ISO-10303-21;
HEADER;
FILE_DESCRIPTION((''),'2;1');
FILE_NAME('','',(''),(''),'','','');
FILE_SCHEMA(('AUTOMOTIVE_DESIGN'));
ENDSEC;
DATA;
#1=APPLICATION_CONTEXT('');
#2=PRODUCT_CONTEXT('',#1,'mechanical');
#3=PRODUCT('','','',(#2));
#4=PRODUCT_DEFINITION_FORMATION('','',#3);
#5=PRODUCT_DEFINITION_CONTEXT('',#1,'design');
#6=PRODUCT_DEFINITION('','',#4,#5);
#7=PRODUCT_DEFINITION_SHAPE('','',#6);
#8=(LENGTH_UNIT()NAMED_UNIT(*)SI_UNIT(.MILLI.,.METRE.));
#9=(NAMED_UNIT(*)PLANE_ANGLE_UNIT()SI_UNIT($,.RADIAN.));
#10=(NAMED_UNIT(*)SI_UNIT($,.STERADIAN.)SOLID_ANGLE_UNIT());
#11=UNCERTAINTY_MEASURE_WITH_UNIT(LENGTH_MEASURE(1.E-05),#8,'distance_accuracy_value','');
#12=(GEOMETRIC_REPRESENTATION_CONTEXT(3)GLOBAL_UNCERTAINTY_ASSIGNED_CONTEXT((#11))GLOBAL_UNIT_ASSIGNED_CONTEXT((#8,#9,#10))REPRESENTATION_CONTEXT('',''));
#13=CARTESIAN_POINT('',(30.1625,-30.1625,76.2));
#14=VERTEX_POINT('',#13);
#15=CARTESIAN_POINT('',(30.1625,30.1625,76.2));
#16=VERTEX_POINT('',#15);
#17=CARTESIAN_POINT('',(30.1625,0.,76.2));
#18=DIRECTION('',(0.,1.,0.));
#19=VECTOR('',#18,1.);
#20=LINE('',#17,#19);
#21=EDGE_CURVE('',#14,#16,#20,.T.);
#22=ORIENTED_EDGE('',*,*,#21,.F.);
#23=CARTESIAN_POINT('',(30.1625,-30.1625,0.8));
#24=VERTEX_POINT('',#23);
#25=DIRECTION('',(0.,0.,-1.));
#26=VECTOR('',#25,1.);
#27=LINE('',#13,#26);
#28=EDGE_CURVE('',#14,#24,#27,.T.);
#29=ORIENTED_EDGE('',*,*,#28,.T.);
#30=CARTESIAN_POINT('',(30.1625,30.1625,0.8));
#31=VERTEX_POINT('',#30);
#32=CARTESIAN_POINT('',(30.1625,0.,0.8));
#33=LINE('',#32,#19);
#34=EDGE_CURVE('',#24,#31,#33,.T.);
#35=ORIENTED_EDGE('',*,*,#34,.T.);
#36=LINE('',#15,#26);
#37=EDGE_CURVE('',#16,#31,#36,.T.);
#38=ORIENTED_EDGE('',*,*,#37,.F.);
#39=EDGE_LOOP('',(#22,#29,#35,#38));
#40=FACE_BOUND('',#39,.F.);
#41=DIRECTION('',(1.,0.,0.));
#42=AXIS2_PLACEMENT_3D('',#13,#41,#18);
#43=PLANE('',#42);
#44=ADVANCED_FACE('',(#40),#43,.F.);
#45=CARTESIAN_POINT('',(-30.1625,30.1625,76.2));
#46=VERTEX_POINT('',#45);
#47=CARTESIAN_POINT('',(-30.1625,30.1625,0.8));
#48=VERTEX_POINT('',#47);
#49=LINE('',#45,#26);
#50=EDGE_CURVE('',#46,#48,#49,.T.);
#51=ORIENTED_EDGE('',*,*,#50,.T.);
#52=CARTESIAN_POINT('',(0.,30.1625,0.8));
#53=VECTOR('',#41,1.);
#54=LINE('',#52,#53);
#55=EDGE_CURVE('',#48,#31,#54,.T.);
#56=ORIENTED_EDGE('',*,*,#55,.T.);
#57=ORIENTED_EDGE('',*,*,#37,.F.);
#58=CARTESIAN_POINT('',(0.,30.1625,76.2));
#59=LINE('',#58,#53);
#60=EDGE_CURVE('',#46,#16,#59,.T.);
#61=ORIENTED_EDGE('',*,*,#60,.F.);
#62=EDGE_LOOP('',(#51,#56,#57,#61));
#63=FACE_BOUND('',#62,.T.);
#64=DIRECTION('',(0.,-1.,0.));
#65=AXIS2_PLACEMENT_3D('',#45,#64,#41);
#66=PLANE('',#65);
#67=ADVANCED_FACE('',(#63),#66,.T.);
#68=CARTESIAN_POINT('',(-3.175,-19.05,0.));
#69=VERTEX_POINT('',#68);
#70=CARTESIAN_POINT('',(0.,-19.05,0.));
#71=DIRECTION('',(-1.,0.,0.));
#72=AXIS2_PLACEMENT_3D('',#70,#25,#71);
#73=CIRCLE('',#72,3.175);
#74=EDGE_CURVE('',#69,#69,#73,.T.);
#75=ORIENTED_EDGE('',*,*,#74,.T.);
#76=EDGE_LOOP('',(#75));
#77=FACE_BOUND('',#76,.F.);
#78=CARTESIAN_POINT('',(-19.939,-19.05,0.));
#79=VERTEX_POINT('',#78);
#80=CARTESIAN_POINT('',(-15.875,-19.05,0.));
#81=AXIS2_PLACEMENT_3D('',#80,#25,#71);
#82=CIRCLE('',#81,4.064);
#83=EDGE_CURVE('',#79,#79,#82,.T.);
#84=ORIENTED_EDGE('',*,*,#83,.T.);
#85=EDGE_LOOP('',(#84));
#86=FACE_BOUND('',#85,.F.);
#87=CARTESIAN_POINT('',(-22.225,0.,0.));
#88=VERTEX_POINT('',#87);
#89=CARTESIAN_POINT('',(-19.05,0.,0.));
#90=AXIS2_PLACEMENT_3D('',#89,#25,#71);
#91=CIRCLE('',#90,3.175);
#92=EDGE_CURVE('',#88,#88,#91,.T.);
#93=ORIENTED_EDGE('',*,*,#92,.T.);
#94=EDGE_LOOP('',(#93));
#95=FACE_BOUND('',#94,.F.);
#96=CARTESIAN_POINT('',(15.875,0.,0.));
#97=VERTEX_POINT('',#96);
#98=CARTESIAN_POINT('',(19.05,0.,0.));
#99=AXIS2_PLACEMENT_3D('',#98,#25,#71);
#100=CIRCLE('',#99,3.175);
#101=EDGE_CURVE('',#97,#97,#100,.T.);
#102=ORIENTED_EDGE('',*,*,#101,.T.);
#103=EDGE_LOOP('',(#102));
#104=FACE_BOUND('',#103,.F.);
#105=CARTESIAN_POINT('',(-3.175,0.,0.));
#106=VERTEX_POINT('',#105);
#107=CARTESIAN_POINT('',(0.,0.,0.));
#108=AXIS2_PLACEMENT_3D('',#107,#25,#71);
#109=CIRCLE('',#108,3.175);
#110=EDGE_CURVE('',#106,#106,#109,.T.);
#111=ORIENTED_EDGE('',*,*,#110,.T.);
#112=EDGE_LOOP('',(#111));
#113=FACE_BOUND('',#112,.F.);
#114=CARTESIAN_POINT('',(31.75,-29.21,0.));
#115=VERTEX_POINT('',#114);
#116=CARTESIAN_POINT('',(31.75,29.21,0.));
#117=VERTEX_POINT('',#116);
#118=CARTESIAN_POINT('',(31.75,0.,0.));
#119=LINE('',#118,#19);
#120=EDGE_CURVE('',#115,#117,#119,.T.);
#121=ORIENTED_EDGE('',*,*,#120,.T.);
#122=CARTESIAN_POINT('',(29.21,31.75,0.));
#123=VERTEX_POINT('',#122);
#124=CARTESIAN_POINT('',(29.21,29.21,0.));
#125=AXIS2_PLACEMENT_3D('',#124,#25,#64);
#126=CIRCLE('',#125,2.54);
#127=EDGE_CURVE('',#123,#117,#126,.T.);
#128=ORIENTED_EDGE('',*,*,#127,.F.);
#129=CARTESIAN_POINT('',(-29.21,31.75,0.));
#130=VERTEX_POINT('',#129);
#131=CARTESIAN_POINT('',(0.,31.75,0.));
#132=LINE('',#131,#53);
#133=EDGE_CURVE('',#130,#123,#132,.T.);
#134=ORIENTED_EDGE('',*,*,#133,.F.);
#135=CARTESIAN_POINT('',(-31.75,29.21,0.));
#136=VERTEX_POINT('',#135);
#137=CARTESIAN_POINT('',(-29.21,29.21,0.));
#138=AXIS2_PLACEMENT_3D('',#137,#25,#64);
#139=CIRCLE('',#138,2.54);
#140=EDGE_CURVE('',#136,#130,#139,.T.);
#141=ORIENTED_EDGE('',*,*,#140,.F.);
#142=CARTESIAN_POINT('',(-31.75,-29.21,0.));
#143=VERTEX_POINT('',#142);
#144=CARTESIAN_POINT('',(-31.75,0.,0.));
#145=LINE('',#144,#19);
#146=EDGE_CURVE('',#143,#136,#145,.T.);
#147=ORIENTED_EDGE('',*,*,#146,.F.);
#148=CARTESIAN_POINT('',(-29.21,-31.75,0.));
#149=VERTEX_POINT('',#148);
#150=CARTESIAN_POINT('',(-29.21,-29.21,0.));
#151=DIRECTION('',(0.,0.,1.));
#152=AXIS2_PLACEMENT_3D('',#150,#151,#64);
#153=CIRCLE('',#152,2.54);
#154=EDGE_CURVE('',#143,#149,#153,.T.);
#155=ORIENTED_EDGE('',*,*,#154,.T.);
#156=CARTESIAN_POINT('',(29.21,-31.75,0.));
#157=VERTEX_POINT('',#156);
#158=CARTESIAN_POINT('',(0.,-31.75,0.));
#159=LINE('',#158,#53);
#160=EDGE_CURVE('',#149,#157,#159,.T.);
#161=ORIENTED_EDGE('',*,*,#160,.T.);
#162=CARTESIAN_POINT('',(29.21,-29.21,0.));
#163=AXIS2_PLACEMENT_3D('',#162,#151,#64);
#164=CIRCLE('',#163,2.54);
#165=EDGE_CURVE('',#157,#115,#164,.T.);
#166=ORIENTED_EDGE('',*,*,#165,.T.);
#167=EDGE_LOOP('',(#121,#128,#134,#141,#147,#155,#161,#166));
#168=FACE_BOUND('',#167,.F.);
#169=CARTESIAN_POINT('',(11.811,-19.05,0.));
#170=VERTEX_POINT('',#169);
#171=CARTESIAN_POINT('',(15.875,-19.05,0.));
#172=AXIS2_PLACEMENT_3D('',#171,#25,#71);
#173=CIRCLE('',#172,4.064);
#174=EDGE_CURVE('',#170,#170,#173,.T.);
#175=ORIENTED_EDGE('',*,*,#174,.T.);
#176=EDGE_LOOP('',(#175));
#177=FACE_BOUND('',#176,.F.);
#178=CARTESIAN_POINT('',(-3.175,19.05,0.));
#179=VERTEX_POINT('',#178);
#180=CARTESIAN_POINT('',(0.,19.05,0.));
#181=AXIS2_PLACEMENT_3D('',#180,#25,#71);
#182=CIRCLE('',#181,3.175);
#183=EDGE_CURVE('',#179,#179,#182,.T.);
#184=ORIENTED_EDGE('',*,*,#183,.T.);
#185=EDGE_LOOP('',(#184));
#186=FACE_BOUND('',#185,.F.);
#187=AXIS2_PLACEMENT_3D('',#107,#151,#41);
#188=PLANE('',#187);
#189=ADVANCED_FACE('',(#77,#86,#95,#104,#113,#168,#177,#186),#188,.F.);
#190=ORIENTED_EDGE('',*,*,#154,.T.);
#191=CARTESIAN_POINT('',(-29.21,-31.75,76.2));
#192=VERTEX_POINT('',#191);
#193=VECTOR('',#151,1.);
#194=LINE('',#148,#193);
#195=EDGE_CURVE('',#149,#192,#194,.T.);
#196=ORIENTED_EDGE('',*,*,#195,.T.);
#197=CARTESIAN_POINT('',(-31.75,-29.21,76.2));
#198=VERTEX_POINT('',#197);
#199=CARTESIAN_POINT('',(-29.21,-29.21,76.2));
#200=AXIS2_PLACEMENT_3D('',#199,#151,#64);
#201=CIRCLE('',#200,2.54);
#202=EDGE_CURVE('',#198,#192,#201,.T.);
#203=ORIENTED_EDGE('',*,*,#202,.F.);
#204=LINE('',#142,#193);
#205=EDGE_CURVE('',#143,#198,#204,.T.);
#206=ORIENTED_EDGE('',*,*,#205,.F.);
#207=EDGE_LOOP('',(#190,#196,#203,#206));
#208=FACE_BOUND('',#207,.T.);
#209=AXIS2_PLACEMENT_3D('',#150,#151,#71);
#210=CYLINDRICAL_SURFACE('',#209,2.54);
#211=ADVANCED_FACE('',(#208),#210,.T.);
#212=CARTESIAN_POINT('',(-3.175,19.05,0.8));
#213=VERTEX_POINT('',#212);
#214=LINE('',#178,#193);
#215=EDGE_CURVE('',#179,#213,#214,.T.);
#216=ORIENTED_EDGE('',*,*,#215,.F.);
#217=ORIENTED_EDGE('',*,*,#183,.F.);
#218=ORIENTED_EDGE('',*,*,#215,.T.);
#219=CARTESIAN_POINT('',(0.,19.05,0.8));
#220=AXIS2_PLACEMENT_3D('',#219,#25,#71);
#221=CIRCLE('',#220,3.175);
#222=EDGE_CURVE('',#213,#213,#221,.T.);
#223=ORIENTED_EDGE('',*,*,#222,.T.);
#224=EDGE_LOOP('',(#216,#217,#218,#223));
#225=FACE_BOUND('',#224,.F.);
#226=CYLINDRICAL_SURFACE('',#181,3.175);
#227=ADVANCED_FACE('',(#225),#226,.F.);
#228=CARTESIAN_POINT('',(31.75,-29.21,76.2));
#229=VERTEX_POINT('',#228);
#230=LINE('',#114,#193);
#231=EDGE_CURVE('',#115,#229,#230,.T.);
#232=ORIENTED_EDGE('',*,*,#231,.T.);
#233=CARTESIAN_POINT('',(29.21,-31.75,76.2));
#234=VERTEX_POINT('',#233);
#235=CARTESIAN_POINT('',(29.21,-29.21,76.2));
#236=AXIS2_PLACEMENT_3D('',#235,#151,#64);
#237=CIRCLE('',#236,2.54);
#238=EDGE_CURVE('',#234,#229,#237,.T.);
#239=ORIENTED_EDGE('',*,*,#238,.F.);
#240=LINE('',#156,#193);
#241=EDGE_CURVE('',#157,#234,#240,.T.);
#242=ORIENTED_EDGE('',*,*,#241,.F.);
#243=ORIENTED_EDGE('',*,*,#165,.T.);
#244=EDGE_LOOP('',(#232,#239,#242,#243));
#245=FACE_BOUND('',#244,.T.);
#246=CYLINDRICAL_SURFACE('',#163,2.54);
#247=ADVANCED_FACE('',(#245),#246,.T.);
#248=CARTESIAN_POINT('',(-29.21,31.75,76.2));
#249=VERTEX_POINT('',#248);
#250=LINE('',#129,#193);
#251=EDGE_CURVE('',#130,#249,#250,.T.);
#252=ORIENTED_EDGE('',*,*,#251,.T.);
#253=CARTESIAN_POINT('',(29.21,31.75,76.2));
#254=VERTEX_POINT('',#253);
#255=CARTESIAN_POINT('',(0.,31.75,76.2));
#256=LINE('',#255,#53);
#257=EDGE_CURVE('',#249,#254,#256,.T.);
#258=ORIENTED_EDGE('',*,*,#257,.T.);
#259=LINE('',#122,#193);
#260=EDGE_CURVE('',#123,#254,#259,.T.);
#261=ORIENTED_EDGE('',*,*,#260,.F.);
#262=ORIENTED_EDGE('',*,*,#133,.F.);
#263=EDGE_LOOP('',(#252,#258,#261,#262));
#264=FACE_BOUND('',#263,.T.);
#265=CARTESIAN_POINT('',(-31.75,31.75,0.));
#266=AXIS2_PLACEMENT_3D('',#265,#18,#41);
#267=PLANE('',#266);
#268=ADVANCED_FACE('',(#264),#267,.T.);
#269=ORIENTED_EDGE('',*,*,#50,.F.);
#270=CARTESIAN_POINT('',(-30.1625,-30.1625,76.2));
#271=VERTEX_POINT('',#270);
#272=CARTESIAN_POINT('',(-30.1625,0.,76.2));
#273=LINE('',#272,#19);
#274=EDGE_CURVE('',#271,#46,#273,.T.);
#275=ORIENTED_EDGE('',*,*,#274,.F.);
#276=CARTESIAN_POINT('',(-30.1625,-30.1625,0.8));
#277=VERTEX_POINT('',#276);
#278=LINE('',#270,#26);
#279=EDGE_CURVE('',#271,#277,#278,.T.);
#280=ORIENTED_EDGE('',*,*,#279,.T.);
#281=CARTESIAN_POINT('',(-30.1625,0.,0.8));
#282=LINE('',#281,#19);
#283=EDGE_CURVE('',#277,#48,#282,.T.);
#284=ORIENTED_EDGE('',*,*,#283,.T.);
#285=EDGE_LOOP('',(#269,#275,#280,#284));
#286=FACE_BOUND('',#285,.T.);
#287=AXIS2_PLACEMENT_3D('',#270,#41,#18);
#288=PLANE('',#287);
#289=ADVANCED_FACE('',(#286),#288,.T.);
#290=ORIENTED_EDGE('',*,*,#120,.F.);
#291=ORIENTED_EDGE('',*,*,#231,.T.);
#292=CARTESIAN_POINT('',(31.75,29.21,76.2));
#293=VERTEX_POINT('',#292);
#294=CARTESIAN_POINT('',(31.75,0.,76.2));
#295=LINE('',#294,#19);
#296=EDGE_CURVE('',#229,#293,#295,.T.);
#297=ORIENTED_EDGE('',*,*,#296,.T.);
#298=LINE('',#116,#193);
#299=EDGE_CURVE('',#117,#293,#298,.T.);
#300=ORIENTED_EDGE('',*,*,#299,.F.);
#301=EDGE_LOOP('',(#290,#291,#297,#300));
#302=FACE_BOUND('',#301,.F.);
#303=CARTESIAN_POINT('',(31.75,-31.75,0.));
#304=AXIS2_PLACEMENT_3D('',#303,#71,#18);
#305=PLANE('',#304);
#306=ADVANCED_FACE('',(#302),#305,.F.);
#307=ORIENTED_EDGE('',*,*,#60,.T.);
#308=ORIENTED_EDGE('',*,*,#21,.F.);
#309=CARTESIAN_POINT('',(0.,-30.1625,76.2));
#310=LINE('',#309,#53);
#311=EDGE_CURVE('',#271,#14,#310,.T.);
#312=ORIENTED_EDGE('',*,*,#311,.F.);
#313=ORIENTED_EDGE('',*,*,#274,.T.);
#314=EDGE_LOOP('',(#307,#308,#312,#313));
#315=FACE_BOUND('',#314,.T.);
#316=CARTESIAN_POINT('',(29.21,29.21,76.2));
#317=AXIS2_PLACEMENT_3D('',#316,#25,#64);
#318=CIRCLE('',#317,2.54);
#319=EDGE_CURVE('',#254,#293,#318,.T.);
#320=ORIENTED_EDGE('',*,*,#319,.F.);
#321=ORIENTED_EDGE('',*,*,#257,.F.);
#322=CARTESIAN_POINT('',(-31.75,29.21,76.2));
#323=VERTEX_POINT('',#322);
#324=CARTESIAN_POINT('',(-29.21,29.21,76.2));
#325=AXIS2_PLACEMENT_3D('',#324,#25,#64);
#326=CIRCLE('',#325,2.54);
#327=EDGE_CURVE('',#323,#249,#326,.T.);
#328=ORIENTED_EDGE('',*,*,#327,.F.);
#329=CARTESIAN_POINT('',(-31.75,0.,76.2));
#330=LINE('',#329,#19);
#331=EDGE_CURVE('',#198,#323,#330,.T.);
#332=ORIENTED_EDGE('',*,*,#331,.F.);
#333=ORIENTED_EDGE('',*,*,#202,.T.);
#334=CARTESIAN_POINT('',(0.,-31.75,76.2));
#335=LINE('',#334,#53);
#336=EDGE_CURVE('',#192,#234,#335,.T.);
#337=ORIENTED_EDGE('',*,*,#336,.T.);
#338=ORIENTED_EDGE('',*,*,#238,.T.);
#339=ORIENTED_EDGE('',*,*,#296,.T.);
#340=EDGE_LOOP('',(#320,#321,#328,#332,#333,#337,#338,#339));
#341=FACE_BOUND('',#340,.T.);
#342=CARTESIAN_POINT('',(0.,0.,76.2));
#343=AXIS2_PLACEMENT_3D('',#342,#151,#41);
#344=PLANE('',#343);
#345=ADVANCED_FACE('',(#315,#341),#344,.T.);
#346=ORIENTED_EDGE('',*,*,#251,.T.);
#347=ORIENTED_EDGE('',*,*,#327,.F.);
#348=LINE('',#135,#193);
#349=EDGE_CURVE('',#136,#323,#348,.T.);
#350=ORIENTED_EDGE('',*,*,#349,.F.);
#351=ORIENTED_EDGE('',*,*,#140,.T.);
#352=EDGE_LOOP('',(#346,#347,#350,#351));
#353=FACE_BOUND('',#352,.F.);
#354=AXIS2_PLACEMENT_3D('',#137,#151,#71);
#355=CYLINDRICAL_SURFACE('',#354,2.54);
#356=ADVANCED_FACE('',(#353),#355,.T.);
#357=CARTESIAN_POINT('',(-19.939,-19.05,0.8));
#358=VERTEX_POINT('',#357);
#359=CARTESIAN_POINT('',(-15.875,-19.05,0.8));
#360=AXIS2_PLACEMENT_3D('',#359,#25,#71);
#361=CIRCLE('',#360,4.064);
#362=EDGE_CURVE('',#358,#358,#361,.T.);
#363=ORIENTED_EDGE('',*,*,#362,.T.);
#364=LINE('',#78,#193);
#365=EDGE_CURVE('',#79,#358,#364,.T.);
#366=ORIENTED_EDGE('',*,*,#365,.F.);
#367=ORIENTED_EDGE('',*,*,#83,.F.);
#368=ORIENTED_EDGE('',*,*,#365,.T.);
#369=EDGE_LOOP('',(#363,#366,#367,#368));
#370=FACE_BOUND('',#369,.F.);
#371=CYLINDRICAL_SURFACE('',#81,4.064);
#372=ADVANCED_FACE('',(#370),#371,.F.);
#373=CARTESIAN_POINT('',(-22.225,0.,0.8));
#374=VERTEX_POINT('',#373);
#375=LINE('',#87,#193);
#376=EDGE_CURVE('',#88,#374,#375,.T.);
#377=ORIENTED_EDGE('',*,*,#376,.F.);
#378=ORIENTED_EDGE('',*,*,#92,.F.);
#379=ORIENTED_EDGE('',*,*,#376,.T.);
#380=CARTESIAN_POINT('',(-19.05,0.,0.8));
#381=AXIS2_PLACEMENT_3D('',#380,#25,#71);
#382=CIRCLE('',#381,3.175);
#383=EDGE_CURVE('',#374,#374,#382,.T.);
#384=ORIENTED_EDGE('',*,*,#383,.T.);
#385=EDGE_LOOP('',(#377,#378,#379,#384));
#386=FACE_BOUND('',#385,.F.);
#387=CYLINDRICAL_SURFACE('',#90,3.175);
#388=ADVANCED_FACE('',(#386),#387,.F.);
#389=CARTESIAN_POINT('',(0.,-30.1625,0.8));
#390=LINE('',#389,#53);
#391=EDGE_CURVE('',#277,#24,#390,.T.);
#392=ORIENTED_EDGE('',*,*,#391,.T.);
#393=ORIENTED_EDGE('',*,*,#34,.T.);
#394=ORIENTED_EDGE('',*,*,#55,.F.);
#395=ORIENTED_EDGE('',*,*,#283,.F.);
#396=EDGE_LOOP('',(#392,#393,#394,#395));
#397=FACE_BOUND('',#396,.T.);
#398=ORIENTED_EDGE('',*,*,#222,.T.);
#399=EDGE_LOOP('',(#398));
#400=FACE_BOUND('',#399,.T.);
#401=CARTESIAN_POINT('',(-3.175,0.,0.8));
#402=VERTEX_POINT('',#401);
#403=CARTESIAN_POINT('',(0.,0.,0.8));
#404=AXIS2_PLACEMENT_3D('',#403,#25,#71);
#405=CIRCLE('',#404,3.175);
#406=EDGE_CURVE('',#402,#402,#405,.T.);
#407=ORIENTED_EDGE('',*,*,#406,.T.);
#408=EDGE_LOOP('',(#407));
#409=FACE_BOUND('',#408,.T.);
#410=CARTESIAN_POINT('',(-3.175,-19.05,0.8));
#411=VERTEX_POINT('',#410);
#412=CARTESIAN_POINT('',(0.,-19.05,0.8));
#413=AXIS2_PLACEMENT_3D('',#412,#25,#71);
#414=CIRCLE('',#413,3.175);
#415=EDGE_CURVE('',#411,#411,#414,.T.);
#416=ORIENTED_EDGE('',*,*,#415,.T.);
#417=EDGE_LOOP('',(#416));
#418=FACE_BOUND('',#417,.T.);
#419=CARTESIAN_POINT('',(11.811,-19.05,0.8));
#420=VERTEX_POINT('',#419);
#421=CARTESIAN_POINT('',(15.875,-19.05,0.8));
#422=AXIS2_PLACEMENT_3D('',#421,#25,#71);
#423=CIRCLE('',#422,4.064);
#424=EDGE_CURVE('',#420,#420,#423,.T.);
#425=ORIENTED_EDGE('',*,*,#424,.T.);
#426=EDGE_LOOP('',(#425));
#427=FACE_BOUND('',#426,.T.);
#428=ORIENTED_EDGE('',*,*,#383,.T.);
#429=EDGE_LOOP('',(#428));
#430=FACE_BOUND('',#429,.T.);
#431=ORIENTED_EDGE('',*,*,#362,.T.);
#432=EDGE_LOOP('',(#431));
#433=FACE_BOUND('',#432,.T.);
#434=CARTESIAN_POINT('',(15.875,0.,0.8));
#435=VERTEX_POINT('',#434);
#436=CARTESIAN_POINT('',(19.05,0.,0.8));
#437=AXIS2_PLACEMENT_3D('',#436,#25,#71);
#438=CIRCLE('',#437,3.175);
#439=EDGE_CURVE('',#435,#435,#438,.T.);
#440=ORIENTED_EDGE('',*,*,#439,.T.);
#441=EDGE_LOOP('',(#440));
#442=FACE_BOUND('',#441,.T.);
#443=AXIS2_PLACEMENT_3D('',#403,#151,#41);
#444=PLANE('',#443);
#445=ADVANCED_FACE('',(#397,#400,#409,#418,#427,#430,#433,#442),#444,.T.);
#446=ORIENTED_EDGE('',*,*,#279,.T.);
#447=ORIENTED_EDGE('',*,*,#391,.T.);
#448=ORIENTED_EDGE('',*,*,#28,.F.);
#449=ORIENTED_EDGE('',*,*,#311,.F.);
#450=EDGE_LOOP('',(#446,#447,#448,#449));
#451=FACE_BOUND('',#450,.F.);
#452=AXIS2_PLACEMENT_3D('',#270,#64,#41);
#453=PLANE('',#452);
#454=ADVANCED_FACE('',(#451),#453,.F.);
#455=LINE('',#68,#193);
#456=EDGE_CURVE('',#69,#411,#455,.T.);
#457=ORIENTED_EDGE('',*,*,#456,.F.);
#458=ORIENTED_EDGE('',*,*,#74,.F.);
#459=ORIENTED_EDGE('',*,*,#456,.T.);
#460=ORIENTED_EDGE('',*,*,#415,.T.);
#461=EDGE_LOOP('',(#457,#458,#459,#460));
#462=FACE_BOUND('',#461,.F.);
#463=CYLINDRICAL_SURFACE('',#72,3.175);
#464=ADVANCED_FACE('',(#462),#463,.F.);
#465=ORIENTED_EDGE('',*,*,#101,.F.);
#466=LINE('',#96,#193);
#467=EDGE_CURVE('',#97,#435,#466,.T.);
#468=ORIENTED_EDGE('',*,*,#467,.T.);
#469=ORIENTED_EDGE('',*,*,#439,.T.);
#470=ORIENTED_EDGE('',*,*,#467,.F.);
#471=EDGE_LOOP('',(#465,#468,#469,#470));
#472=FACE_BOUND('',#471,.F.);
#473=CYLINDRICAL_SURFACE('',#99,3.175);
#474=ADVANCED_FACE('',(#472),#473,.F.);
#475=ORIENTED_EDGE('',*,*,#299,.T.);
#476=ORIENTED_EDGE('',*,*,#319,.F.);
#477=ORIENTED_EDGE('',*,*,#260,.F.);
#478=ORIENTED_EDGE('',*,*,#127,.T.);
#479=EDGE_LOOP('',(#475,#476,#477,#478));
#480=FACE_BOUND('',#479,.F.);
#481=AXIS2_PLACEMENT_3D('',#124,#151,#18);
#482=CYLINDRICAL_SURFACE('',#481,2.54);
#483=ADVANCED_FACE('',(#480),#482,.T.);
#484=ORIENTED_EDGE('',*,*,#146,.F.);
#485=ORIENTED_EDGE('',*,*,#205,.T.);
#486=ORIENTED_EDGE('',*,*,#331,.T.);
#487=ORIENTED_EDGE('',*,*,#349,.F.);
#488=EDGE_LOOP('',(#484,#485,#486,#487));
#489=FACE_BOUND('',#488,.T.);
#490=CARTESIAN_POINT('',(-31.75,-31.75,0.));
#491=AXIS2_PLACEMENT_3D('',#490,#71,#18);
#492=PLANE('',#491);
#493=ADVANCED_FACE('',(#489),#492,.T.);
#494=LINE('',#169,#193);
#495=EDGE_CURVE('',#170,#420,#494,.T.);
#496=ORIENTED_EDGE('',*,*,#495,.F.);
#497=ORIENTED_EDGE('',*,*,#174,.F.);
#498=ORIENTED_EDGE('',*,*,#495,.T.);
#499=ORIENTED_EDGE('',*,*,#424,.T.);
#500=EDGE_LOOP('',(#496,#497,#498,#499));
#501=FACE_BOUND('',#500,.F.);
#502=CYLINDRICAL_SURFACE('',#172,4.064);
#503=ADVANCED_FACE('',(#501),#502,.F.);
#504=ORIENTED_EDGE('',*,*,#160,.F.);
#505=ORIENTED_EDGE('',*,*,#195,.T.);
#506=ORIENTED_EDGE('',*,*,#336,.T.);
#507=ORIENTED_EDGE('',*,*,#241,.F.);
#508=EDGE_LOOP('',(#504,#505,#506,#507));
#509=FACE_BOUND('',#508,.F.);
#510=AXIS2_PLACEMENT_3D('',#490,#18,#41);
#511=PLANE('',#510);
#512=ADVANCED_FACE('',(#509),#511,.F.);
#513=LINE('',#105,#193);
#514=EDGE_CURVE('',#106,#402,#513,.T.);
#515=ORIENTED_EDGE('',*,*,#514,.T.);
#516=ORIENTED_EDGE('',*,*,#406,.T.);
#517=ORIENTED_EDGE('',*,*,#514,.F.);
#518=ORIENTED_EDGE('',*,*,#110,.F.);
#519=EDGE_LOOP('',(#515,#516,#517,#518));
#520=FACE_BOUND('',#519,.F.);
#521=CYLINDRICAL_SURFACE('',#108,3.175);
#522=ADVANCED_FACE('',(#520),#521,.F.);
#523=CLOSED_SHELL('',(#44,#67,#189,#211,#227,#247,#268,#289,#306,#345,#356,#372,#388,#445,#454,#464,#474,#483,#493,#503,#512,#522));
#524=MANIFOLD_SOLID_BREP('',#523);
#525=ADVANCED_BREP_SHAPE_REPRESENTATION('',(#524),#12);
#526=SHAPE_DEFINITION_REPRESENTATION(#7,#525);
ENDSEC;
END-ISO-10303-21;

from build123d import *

# Parameters (mm, degrees)
SKETCH1_W           = 63.5
SKETCH1_H           = 63.5
BOSS_EXTRUDE1_DEPTH = 76.2
SKETCH2_W           = 60.325
SKETCH2_H           = 60.325
CUT_EXTRUDE1_DEPTH  = 75.4
FILLET1_R           = 2.54
SKETCH3_R           = 3.175
CUT_EXTRUDE2_DEPTH  = 89.44526556
SKETCH4_R           = 4.064
CUT_EXTRUDE3_DEPTH  = 89.44526556


with BuildPart() as part:
    # Sketch1 → Boss-Extrude1 (new body)
    with BuildSketch(Plane.XY):
        Rectangle(SKETCH1_W, SKETCH1_H)
    extrude(amount=BOSS_EXTRUDE1_DEPTH)

    # Sketch2 → Cut-Extrude1 (cut)
    with BuildSketch(Plane.XY.offset(76.2)):
        Rectangle(SKETCH2_W, SKETCH2_H)
    extrude(amount=-CUT_EXTRUDE1_DEPTH, mode=Mode.SUBTRACT)

    # Fillet1
    fillet1_edges = [part.edges().sort_by_distance(p)[0] for p in [
        (31.75, -31.75, 38.1),
        (-31.75, -31.75, 38.1),
        (-31.75, 31.75, 38.1),
        (31.75, 31.75, 38.1),
    ]]
    fillet(fillet1_edges, radius=FILLET1_R)

    # Sketch3 → Cut-Extrude2 (cut, through all)
    with BuildSketch(Plane(origin=(0, 0, 0), x_dir=(-1, 0, 0), z_dir=(0, 0, -1))):
        with Locations((0, 19.05)):
            Circle(SKETCH3_R)
        with Locations((0, -19.05)):
            Circle(SKETCH3_R)
        Circle(SKETCH3_R)
        with Locations((19.05, 0)):
            Circle(SKETCH3_R)
        with Locations((-19.05, 0)):
            Circle(SKETCH3_R)
    extrude(amount=-CUT_EXTRUDE2_DEPTH, mode=Mode.SUBTRACT)

    # Sketch4 → Cut-Extrude3 (cut, through all)
    with BuildSketch(Plane(origin=(0, 0, 0), x_dir=(-1, 0, 0), z_dir=(0, 0, -1))):
        with Locations((-15.875, -19.05)):
            Circle(SKETCH4_R)
        with Locations((15.875, -19.05)):
            Circle(SKETCH4_R)
    extrude(amount=-CUT_EXTRUDE3_DEPTH, mode=Mode.SUBTRACT)


solid = part.part
